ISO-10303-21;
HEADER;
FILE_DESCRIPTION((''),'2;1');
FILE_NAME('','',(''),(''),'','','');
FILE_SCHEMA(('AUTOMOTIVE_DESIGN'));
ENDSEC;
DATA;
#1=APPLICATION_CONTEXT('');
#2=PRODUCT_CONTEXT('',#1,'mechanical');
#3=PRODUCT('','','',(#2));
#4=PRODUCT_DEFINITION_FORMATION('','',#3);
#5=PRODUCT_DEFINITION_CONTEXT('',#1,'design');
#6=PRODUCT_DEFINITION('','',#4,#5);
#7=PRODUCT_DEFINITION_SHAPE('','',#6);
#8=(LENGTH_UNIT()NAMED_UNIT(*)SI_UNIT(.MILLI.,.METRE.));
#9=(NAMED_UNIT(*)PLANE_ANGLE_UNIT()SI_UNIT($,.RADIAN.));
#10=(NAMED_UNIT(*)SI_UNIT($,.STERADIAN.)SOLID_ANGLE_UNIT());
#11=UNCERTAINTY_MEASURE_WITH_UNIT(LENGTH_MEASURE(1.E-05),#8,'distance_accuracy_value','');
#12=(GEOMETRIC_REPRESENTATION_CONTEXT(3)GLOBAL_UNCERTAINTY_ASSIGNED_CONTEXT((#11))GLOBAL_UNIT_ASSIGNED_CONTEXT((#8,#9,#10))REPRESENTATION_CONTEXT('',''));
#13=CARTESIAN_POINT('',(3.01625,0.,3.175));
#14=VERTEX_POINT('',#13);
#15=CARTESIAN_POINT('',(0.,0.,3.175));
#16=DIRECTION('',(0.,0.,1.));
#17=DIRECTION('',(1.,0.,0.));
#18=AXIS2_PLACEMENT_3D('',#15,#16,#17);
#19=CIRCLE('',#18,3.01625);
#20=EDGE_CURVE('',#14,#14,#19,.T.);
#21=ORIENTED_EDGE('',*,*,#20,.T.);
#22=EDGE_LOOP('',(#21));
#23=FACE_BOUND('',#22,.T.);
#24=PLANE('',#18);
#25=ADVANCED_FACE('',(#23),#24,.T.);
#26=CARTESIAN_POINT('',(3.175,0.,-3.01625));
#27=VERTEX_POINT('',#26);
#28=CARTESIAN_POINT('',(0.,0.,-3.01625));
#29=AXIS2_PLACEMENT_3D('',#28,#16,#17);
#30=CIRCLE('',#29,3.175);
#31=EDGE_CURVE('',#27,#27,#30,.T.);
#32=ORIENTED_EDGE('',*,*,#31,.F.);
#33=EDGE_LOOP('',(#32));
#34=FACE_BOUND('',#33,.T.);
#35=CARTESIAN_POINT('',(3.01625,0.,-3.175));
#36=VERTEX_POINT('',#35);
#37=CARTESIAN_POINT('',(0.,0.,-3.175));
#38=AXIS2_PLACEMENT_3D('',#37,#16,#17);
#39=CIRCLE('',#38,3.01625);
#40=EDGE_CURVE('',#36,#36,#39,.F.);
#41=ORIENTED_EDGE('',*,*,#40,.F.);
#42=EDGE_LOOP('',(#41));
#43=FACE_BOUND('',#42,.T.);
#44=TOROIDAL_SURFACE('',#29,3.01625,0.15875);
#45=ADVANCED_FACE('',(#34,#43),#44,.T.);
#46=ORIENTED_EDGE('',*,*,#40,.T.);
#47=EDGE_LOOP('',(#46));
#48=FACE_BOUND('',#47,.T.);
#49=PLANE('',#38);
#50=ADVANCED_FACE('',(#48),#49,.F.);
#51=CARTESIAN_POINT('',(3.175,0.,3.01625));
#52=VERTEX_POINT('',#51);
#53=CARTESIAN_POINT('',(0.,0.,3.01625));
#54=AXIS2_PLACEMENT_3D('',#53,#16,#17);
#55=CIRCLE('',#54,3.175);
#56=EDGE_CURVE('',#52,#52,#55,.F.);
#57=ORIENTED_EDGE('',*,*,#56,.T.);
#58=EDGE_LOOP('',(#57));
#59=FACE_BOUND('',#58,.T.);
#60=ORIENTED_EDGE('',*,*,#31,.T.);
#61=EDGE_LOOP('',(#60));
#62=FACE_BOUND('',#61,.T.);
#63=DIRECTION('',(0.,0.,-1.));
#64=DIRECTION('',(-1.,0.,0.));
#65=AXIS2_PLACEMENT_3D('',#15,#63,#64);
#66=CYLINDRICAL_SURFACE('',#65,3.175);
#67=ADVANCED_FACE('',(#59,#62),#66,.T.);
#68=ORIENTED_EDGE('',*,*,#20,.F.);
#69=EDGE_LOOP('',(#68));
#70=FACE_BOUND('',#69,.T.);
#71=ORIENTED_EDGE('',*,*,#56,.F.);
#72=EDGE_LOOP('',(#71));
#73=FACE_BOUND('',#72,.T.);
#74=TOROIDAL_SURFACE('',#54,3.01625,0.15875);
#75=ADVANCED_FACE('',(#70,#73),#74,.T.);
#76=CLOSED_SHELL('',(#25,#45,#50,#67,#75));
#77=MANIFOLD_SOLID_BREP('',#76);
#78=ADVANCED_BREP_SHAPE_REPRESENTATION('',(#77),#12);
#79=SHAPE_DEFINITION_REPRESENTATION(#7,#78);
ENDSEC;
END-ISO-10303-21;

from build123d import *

# Parameters (mm, degrees)
BOSS_EXTRUDE1_DEPTH      = 3.175
BOSS_EXTRUDE1_DEPTH_BACK = 3.175
SKETCH3_R                = 3.175
FILLET1_R                = 0.15875


with BuildPart() as part:
    # Sketch3 → Boss-Extrude1 (new, two sides: drawn at the far end of the back side and taken through both)
    with BuildSketch(Plane.XY.offset(-BOSS_EXTRUDE1_DEPTH_BACK)):
        Circle(SKETCH3_R)
    extrude(amount=BOSS_EXTRUDE1_DEPTH + BOSS_EXTRUDE1_DEPTH_BACK)

    # Fillet1
    fillet1_edges = [part.edges().sort_by_distance(p)[0] for p in [
        (-3.175, 0, -3.175),
        (-3.175, 0, 3.175),
    ]]
    fillet(fillet1_edges, radius=FILLET1_R)


solid = part.part
